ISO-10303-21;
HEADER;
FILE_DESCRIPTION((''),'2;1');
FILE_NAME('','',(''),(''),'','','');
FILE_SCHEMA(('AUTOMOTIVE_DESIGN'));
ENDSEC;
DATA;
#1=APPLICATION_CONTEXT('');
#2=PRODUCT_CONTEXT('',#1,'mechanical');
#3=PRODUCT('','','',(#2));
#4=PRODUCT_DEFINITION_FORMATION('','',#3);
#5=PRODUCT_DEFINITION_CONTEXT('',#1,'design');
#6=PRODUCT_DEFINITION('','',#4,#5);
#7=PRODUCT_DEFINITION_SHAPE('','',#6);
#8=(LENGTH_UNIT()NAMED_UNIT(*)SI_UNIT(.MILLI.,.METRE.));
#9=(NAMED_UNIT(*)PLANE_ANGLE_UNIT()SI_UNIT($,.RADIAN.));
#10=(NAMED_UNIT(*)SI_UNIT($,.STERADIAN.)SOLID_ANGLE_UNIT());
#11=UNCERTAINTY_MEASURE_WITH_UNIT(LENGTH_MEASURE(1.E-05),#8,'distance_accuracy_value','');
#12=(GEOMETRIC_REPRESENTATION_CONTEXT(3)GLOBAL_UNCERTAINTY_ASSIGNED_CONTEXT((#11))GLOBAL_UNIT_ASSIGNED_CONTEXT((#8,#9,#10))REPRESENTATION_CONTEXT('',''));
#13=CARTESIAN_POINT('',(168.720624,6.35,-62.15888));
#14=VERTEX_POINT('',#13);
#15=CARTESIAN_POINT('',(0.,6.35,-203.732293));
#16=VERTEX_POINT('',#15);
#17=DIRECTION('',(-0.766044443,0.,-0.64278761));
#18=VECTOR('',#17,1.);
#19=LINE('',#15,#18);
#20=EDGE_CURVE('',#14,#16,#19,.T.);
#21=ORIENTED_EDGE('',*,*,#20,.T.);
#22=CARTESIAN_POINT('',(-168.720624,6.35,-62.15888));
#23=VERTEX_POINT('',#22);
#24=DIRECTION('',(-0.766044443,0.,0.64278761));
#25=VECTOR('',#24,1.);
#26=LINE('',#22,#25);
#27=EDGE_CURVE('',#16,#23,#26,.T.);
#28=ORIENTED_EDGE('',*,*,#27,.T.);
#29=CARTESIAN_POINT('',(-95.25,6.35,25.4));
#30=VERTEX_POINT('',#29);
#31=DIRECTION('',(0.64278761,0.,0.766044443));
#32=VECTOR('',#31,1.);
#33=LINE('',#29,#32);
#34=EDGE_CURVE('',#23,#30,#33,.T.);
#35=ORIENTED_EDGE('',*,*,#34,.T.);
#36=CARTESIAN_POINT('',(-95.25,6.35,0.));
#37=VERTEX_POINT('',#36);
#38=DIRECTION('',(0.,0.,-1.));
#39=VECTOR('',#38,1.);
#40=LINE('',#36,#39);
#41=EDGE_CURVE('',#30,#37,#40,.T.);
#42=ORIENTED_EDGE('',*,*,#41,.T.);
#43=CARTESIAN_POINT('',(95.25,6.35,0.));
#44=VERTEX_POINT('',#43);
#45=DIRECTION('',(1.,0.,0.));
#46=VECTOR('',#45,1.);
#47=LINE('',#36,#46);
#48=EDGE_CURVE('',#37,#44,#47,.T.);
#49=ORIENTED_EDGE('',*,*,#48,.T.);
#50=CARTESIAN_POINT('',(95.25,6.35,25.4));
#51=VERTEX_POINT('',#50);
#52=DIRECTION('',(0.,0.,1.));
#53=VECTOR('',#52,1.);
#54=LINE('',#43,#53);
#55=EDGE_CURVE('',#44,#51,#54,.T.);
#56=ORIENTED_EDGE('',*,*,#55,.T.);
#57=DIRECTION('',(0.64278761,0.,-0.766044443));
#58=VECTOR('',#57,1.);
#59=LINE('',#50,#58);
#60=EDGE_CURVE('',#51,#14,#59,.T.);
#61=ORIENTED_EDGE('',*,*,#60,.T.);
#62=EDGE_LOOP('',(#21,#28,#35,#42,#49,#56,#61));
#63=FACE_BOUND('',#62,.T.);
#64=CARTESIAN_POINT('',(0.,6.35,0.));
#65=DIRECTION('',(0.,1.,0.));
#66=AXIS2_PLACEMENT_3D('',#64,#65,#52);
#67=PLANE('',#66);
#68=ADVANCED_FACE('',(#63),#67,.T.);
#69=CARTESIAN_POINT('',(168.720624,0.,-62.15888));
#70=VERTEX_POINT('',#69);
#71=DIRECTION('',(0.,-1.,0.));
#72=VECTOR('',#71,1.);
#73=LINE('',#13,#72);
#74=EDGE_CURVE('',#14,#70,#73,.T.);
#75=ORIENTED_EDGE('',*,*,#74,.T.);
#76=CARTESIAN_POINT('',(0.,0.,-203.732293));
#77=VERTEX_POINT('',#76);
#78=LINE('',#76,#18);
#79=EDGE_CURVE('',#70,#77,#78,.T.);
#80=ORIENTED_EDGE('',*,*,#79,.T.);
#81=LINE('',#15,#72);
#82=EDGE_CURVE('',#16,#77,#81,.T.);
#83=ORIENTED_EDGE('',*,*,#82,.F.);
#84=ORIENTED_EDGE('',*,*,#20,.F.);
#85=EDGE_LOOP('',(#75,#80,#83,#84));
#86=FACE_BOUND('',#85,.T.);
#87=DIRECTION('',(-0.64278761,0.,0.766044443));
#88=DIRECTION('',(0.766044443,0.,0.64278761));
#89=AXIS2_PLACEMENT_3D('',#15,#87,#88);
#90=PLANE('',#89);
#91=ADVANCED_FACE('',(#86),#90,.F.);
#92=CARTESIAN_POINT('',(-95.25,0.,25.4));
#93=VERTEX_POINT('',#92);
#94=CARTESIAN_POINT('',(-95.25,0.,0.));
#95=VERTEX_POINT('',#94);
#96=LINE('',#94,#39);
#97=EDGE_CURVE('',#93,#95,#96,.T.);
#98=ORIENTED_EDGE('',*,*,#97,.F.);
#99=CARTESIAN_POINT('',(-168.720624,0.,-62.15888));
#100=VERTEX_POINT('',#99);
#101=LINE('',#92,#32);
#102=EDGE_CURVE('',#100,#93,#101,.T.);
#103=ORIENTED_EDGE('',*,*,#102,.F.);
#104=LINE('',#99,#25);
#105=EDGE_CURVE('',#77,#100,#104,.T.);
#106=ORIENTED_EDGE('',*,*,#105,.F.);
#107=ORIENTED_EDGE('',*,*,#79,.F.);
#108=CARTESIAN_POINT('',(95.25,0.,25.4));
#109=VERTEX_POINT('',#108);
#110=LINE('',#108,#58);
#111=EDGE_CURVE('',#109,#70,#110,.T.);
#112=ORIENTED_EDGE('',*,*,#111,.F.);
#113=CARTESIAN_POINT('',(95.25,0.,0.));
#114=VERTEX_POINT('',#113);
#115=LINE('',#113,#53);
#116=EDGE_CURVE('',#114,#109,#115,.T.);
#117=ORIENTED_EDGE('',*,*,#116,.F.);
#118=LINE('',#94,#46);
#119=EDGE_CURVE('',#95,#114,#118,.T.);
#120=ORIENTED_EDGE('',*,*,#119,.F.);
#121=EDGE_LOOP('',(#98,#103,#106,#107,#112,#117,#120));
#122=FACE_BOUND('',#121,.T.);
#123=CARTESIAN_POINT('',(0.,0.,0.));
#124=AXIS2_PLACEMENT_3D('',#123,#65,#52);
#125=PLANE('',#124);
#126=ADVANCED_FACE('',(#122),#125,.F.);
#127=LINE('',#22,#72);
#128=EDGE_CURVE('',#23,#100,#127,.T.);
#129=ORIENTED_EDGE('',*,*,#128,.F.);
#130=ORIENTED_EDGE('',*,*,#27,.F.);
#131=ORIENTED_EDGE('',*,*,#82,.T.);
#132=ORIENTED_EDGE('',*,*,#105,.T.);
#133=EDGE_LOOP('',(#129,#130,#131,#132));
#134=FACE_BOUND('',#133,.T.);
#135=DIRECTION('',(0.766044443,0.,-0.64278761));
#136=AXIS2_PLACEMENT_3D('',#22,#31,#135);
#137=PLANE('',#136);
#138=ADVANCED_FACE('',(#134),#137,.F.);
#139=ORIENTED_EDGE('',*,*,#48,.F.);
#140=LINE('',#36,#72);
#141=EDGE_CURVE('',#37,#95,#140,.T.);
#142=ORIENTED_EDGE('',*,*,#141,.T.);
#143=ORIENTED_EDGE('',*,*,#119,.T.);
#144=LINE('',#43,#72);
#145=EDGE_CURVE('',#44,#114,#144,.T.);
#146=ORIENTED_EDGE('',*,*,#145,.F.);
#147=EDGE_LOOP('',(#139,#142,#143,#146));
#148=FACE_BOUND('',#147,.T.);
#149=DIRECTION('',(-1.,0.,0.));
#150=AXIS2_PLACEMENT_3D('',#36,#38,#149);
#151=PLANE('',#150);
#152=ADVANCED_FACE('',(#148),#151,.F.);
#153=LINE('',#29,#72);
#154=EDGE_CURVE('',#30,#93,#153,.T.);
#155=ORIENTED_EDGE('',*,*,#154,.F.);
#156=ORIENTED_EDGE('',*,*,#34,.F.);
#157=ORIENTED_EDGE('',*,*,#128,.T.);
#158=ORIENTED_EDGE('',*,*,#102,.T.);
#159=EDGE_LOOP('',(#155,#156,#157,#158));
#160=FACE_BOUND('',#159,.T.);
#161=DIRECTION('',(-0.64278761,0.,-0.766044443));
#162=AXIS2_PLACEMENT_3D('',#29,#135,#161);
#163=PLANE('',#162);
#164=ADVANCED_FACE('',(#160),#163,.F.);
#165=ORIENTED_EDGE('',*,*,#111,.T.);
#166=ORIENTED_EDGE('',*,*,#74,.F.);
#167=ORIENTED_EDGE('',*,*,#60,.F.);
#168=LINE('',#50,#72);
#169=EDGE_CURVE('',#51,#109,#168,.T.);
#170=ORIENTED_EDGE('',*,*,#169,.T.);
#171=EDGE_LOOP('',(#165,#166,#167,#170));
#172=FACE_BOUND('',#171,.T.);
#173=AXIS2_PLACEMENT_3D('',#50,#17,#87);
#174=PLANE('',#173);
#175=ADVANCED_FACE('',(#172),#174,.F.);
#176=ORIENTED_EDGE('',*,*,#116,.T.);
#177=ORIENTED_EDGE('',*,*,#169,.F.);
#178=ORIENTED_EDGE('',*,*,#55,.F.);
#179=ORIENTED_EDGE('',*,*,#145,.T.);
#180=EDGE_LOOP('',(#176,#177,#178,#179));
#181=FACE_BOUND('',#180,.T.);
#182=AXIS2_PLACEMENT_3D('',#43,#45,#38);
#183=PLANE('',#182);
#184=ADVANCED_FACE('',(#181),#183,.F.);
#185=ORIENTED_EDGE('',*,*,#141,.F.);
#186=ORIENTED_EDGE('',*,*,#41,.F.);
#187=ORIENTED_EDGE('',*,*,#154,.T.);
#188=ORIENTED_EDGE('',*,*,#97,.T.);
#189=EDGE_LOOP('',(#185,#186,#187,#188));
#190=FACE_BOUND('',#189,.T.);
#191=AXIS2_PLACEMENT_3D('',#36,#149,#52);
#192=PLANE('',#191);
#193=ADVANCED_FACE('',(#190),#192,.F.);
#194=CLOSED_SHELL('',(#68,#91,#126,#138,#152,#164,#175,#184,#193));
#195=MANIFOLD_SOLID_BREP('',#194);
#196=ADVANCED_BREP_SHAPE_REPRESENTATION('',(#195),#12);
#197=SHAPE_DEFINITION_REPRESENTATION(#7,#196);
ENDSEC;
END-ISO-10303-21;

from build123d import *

# Parameters (mm, degrees)
BOSS_EXTRUDE1_DEPTH = 6.35


with BuildPart() as part:
    # Sketch1 → Boss-Extrude1 (new body)
    with BuildSketch(Plane(origin=(0, 0, 0), x_dir=(1, 0, 0), z_dir=(0, 1, 0))):
        Polygon((-95.25, 0), (95.25, 0), (95.25, -25.4), (168.720623787, 62.158879848), (0, 203.73229304), (-168.720623787, 62.158879848), (-95.25, -25.4), align=None)
    extrude(amount=BOSS_EXTRUDE1_DEPTH)


solid = part.part
